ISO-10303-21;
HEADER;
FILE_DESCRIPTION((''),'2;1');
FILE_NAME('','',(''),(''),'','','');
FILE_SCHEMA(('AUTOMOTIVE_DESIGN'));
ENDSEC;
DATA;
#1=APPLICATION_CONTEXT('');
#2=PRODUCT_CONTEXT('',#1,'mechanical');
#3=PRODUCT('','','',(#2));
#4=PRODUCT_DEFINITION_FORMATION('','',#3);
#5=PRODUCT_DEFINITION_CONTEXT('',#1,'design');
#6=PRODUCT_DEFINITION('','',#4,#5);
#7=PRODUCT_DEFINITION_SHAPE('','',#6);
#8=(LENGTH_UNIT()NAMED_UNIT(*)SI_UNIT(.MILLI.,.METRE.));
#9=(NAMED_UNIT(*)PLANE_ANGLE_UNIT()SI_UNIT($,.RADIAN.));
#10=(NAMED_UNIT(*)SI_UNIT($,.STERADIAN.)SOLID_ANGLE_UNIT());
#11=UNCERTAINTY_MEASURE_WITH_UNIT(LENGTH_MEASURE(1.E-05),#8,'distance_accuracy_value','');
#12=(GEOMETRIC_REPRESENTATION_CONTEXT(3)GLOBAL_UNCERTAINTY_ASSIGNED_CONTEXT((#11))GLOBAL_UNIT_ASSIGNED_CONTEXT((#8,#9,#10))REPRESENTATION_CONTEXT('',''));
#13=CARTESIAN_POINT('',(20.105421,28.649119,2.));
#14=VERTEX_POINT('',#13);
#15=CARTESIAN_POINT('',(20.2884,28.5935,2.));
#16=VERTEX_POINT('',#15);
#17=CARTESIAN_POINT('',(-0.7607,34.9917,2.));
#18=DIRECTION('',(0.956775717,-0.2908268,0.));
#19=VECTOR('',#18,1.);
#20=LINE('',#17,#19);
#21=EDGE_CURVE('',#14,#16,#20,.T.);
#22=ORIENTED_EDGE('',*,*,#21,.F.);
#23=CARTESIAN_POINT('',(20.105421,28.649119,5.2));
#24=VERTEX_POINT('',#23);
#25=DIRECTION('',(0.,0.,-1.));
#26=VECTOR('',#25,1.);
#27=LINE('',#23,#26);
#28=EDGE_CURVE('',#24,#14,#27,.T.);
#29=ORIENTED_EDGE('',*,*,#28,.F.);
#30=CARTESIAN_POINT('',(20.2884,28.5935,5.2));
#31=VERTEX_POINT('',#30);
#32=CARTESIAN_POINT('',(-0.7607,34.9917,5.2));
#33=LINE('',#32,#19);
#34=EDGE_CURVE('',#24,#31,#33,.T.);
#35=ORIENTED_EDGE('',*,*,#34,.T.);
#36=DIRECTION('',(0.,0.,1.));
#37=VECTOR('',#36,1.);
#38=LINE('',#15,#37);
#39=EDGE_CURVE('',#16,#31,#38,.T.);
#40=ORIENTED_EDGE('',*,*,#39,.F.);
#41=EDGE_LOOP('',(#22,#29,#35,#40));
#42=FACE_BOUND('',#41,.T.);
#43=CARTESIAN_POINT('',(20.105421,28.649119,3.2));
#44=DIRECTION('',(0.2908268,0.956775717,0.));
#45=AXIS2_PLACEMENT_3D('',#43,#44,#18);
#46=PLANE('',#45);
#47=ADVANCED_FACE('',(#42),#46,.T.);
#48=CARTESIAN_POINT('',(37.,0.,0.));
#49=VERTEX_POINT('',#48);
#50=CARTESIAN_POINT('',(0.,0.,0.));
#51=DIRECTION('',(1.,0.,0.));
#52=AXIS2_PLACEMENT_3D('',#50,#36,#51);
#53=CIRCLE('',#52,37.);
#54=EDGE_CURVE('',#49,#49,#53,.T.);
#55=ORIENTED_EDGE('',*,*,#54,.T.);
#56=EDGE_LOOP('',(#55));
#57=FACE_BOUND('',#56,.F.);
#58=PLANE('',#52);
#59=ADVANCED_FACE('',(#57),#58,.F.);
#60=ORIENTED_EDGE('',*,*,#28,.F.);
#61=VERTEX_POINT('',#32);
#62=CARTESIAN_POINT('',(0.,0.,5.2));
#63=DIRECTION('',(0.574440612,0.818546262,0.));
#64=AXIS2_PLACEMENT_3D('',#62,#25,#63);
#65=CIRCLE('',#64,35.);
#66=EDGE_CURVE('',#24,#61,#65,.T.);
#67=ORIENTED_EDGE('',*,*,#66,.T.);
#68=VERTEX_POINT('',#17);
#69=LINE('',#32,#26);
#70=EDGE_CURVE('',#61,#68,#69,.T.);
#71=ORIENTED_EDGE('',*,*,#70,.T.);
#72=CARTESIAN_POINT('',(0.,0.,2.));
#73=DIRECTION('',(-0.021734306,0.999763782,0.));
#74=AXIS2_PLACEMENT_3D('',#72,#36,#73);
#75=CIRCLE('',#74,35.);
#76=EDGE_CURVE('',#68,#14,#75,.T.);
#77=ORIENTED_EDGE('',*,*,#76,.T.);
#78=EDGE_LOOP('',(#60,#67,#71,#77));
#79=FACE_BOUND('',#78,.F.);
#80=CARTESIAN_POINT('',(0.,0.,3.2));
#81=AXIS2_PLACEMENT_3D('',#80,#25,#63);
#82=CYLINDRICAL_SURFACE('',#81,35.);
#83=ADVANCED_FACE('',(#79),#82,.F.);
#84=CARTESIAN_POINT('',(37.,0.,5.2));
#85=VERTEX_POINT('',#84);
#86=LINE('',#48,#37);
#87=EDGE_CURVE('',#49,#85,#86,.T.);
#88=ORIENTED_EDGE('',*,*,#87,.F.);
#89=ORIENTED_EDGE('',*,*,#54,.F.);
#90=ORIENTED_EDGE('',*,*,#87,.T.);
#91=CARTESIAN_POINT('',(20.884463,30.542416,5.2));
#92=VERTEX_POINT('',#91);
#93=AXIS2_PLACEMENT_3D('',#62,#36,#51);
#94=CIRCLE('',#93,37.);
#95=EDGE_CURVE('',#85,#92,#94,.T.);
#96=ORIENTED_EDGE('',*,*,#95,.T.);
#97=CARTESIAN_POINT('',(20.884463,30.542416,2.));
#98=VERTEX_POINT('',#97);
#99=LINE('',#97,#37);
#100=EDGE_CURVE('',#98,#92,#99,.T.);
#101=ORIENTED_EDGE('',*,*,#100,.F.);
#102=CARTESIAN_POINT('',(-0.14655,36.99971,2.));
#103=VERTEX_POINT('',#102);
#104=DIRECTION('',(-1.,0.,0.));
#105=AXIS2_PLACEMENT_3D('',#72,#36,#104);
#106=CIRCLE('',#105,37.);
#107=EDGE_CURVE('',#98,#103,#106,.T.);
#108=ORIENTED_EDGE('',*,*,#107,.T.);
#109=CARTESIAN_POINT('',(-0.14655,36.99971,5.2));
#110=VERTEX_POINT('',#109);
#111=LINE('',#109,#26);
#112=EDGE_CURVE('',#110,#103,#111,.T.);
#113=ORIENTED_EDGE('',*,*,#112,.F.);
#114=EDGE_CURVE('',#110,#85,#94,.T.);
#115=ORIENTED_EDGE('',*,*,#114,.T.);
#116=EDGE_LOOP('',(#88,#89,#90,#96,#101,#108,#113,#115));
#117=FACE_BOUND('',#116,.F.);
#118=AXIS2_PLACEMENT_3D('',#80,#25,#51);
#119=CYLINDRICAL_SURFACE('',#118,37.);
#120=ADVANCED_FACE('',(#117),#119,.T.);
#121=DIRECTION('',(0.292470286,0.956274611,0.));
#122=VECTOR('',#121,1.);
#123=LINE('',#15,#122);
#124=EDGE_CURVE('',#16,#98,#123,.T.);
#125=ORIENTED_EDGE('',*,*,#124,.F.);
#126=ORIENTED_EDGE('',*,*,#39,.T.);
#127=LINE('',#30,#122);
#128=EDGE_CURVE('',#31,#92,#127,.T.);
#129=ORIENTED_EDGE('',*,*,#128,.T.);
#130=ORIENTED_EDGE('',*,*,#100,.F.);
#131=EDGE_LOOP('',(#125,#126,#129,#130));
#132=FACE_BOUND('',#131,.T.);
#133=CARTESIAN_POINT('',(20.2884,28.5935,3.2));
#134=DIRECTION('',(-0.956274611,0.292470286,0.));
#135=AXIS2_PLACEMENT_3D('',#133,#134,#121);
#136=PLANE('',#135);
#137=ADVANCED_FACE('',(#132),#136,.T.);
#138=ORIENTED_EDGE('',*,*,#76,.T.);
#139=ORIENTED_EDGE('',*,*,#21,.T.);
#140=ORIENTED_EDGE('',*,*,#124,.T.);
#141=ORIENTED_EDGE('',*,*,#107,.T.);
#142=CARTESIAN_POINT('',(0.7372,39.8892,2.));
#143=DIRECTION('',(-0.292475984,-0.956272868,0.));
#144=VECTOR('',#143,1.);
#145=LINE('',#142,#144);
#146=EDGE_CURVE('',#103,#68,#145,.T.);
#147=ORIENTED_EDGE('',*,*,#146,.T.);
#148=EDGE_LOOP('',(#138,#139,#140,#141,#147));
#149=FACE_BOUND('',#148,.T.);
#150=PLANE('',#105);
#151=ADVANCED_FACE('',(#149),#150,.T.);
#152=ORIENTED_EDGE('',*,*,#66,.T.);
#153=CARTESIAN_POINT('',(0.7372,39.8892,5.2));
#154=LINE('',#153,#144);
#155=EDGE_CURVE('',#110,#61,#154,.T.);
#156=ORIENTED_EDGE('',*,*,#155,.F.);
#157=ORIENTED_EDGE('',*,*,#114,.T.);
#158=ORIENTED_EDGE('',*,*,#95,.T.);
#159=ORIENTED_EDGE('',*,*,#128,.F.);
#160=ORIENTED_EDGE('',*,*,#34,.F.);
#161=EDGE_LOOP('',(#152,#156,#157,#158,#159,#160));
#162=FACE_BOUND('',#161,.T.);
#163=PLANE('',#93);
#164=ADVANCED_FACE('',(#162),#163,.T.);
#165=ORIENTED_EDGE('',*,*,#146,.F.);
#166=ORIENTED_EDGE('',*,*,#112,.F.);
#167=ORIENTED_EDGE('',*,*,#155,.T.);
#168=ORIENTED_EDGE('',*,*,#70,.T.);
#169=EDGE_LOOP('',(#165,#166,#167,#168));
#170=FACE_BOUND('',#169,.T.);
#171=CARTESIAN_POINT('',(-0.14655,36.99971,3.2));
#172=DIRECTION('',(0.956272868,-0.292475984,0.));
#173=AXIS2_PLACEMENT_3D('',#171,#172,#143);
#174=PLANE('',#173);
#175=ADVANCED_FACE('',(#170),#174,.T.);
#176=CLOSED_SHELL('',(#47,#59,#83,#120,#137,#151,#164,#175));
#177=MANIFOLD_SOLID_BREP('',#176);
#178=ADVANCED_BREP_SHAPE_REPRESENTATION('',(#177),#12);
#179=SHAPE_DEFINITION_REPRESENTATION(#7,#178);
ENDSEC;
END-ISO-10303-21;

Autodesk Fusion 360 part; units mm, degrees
sketch "Sketch1" plane through (0, 0, 0) normal (0, 0, 1) x (1, 0, 0)
  circle A0 centre (0, 0) radius 37
  dimension "d1" = 74
extrude "Extrude1" add sketch "Sketch1" along normal blind 3.2
shell "Shell1" thickness 2 removed faces 1 at (-10.1246, 15.5782, 3.2)
sketch "Sketch2" plane through (0, 0, 3.2) normal (0, 0, 1) x (-1, 0, 0)
  circle A0 centre (0, 0) radius 35
  circle A1 centre (0, 0) radius 37
  line L0 (0.7607, -34.9917) -> (-20.2884, -28.5935)
  line L1 (-20.2884, -28.5935) -> (-21.7759, -33.4571)
  line L2 (-21.7759, -33.4571) -> (-0.7372, -39.8892)
  line L3 (-0.7372, -39.8892) -> (0.7607, -34.9917)
  dimension "d5" = 22
extrude "Extrude2" cut sketch "Sketch2" against normal blind 1.2 contours A0 A1 L0 L1 L3 picked at (-0.9203, -35.5996)
extrude "Extrude3" add 1 faces at (35.2522, 4.9796, 3.2) along direction (0, 0, 1) blind 2
